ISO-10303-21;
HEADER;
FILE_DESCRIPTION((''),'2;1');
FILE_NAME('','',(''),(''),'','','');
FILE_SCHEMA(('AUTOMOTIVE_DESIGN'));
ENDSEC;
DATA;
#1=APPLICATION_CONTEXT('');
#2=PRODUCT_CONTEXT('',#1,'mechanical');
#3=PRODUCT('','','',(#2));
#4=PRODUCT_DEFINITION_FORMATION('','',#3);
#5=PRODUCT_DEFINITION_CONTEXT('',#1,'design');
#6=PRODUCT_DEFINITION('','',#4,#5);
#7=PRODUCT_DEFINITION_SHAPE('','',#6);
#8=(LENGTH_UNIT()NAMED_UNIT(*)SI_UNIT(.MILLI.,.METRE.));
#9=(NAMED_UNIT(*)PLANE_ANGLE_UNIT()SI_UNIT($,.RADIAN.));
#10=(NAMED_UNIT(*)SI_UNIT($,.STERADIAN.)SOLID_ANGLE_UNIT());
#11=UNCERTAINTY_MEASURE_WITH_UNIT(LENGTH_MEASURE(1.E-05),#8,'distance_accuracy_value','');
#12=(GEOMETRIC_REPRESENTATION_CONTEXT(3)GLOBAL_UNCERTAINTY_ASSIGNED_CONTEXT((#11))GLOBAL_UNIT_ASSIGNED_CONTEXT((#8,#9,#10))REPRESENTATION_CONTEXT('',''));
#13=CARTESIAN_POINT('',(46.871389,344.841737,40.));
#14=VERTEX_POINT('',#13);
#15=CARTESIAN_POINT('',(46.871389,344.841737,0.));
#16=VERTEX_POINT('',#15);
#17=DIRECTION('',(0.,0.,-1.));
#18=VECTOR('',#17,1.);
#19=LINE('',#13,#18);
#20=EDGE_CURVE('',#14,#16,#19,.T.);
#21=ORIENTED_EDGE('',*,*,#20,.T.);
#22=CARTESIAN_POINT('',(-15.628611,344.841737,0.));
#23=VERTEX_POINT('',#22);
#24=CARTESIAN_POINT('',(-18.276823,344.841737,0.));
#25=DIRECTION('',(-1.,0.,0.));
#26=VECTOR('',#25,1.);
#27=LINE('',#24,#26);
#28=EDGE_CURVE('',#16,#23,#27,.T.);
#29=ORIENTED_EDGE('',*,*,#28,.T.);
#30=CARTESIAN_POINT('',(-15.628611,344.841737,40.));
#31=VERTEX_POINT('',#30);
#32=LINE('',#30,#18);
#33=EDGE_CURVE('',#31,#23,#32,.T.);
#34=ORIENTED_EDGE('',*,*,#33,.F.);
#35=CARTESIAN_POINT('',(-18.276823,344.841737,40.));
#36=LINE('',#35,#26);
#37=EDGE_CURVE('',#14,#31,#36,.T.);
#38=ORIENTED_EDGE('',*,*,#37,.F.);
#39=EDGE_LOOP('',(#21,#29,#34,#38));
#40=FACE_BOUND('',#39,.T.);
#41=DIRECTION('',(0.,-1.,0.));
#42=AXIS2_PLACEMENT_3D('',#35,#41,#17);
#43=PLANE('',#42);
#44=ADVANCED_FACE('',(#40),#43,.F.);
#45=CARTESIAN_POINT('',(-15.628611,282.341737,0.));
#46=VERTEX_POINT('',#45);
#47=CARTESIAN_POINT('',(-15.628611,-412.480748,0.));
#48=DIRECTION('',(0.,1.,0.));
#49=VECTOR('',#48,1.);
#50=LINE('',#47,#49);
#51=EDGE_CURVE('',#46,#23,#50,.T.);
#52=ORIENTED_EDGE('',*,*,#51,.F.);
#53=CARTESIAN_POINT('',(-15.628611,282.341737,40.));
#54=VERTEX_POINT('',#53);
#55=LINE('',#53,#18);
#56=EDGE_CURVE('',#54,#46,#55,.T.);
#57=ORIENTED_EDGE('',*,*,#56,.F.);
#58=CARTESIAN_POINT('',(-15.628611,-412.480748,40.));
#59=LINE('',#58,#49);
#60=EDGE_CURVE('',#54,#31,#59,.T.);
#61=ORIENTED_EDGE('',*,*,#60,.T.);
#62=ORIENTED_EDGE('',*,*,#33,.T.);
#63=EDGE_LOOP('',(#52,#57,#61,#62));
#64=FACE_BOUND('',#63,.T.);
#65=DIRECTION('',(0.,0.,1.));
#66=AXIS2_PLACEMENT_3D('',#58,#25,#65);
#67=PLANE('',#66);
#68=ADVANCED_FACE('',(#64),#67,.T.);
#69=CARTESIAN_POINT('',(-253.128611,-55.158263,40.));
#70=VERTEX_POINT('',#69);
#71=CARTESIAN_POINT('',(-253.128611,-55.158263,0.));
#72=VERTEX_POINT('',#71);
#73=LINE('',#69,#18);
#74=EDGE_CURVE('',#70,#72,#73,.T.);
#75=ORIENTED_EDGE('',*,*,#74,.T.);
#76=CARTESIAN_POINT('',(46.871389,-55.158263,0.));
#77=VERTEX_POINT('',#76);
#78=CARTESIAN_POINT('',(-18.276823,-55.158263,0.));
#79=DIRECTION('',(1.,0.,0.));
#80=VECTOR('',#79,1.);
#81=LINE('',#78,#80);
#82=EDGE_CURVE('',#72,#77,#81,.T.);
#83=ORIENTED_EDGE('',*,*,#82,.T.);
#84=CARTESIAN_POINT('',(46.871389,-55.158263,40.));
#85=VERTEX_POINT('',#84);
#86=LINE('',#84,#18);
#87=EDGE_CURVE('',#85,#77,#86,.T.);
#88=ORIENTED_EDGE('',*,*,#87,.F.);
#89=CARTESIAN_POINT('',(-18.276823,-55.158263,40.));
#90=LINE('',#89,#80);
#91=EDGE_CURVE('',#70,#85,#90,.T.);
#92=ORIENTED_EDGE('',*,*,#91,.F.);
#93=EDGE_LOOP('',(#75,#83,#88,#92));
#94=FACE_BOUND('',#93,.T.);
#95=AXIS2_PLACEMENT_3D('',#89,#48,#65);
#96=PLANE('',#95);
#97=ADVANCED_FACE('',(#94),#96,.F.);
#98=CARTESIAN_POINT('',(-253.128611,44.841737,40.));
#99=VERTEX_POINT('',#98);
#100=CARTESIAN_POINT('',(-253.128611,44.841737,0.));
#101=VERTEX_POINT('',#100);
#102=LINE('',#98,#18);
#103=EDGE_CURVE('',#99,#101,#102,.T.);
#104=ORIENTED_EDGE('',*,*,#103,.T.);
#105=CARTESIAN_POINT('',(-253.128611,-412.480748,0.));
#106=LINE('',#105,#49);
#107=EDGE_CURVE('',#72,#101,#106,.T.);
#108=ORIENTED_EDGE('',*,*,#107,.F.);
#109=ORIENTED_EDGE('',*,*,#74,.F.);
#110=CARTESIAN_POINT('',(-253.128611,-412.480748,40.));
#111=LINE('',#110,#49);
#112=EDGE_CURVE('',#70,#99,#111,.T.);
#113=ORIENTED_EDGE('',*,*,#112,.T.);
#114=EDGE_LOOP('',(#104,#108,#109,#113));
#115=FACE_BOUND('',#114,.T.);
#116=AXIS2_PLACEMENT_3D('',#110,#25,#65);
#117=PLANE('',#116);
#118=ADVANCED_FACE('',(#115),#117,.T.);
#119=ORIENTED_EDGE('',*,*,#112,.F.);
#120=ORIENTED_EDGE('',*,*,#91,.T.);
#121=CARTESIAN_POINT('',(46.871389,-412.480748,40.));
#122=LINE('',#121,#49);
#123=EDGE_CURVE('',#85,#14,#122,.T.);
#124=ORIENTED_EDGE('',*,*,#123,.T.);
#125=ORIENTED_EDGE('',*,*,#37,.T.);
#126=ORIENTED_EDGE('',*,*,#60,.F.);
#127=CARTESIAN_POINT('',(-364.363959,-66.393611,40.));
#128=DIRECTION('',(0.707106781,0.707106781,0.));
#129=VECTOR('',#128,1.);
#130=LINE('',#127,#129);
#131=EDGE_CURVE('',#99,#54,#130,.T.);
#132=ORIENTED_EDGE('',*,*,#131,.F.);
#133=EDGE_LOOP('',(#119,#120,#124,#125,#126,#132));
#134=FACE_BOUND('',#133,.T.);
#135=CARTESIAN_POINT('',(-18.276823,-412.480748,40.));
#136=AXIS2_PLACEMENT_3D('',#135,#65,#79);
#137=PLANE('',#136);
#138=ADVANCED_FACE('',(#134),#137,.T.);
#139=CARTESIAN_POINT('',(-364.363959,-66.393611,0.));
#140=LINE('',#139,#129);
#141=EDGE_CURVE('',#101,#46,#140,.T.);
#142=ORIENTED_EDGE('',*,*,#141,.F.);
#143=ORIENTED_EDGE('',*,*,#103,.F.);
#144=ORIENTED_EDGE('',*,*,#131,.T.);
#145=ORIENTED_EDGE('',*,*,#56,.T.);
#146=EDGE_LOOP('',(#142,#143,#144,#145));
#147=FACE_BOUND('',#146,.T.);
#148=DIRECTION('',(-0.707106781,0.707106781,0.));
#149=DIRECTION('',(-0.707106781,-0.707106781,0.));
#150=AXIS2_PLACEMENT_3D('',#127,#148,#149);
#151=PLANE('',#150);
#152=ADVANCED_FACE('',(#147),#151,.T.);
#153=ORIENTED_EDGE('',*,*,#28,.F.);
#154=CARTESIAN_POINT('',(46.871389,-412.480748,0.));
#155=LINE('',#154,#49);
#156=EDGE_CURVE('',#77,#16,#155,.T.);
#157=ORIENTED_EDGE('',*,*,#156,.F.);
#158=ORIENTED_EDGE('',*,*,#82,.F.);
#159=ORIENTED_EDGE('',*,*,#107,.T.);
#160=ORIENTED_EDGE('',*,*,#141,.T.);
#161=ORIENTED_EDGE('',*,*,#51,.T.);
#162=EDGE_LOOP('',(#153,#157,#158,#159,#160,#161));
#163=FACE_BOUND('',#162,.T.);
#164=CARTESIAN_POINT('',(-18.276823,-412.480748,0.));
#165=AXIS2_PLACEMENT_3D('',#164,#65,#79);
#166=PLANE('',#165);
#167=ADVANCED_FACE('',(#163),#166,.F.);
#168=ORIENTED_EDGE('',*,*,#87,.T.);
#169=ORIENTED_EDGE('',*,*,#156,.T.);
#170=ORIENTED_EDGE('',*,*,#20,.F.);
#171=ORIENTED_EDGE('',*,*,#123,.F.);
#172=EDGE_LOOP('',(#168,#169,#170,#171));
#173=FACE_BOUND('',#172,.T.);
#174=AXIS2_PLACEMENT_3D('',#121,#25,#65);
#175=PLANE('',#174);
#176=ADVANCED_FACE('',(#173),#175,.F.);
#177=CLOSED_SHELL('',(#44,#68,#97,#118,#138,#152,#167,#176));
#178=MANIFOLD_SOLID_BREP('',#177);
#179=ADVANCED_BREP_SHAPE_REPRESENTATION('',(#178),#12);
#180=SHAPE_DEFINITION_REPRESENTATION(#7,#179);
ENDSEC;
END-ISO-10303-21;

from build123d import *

# Parameters (mm, degrees)
SALIENTE_EXTRUIR2_DEPTH = 40


with BuildPart() as part:
    # Croquis1 → Saliente-Extruir2 (new body)
    with BuildSketch(Plane.XY):
        Polygon((-15.628610957, 282.341736931), (-15.628610957, 344.841736931), (46.871389043, 344.841736931), (46.871389043, -55.158263069), (-253.128610957, -55.158263069), (-253.128610957, 44.841736931), align=None)
    extrude(amount=SALIENTE_EXTRUIR2_DEPTH)


solid = part.part
